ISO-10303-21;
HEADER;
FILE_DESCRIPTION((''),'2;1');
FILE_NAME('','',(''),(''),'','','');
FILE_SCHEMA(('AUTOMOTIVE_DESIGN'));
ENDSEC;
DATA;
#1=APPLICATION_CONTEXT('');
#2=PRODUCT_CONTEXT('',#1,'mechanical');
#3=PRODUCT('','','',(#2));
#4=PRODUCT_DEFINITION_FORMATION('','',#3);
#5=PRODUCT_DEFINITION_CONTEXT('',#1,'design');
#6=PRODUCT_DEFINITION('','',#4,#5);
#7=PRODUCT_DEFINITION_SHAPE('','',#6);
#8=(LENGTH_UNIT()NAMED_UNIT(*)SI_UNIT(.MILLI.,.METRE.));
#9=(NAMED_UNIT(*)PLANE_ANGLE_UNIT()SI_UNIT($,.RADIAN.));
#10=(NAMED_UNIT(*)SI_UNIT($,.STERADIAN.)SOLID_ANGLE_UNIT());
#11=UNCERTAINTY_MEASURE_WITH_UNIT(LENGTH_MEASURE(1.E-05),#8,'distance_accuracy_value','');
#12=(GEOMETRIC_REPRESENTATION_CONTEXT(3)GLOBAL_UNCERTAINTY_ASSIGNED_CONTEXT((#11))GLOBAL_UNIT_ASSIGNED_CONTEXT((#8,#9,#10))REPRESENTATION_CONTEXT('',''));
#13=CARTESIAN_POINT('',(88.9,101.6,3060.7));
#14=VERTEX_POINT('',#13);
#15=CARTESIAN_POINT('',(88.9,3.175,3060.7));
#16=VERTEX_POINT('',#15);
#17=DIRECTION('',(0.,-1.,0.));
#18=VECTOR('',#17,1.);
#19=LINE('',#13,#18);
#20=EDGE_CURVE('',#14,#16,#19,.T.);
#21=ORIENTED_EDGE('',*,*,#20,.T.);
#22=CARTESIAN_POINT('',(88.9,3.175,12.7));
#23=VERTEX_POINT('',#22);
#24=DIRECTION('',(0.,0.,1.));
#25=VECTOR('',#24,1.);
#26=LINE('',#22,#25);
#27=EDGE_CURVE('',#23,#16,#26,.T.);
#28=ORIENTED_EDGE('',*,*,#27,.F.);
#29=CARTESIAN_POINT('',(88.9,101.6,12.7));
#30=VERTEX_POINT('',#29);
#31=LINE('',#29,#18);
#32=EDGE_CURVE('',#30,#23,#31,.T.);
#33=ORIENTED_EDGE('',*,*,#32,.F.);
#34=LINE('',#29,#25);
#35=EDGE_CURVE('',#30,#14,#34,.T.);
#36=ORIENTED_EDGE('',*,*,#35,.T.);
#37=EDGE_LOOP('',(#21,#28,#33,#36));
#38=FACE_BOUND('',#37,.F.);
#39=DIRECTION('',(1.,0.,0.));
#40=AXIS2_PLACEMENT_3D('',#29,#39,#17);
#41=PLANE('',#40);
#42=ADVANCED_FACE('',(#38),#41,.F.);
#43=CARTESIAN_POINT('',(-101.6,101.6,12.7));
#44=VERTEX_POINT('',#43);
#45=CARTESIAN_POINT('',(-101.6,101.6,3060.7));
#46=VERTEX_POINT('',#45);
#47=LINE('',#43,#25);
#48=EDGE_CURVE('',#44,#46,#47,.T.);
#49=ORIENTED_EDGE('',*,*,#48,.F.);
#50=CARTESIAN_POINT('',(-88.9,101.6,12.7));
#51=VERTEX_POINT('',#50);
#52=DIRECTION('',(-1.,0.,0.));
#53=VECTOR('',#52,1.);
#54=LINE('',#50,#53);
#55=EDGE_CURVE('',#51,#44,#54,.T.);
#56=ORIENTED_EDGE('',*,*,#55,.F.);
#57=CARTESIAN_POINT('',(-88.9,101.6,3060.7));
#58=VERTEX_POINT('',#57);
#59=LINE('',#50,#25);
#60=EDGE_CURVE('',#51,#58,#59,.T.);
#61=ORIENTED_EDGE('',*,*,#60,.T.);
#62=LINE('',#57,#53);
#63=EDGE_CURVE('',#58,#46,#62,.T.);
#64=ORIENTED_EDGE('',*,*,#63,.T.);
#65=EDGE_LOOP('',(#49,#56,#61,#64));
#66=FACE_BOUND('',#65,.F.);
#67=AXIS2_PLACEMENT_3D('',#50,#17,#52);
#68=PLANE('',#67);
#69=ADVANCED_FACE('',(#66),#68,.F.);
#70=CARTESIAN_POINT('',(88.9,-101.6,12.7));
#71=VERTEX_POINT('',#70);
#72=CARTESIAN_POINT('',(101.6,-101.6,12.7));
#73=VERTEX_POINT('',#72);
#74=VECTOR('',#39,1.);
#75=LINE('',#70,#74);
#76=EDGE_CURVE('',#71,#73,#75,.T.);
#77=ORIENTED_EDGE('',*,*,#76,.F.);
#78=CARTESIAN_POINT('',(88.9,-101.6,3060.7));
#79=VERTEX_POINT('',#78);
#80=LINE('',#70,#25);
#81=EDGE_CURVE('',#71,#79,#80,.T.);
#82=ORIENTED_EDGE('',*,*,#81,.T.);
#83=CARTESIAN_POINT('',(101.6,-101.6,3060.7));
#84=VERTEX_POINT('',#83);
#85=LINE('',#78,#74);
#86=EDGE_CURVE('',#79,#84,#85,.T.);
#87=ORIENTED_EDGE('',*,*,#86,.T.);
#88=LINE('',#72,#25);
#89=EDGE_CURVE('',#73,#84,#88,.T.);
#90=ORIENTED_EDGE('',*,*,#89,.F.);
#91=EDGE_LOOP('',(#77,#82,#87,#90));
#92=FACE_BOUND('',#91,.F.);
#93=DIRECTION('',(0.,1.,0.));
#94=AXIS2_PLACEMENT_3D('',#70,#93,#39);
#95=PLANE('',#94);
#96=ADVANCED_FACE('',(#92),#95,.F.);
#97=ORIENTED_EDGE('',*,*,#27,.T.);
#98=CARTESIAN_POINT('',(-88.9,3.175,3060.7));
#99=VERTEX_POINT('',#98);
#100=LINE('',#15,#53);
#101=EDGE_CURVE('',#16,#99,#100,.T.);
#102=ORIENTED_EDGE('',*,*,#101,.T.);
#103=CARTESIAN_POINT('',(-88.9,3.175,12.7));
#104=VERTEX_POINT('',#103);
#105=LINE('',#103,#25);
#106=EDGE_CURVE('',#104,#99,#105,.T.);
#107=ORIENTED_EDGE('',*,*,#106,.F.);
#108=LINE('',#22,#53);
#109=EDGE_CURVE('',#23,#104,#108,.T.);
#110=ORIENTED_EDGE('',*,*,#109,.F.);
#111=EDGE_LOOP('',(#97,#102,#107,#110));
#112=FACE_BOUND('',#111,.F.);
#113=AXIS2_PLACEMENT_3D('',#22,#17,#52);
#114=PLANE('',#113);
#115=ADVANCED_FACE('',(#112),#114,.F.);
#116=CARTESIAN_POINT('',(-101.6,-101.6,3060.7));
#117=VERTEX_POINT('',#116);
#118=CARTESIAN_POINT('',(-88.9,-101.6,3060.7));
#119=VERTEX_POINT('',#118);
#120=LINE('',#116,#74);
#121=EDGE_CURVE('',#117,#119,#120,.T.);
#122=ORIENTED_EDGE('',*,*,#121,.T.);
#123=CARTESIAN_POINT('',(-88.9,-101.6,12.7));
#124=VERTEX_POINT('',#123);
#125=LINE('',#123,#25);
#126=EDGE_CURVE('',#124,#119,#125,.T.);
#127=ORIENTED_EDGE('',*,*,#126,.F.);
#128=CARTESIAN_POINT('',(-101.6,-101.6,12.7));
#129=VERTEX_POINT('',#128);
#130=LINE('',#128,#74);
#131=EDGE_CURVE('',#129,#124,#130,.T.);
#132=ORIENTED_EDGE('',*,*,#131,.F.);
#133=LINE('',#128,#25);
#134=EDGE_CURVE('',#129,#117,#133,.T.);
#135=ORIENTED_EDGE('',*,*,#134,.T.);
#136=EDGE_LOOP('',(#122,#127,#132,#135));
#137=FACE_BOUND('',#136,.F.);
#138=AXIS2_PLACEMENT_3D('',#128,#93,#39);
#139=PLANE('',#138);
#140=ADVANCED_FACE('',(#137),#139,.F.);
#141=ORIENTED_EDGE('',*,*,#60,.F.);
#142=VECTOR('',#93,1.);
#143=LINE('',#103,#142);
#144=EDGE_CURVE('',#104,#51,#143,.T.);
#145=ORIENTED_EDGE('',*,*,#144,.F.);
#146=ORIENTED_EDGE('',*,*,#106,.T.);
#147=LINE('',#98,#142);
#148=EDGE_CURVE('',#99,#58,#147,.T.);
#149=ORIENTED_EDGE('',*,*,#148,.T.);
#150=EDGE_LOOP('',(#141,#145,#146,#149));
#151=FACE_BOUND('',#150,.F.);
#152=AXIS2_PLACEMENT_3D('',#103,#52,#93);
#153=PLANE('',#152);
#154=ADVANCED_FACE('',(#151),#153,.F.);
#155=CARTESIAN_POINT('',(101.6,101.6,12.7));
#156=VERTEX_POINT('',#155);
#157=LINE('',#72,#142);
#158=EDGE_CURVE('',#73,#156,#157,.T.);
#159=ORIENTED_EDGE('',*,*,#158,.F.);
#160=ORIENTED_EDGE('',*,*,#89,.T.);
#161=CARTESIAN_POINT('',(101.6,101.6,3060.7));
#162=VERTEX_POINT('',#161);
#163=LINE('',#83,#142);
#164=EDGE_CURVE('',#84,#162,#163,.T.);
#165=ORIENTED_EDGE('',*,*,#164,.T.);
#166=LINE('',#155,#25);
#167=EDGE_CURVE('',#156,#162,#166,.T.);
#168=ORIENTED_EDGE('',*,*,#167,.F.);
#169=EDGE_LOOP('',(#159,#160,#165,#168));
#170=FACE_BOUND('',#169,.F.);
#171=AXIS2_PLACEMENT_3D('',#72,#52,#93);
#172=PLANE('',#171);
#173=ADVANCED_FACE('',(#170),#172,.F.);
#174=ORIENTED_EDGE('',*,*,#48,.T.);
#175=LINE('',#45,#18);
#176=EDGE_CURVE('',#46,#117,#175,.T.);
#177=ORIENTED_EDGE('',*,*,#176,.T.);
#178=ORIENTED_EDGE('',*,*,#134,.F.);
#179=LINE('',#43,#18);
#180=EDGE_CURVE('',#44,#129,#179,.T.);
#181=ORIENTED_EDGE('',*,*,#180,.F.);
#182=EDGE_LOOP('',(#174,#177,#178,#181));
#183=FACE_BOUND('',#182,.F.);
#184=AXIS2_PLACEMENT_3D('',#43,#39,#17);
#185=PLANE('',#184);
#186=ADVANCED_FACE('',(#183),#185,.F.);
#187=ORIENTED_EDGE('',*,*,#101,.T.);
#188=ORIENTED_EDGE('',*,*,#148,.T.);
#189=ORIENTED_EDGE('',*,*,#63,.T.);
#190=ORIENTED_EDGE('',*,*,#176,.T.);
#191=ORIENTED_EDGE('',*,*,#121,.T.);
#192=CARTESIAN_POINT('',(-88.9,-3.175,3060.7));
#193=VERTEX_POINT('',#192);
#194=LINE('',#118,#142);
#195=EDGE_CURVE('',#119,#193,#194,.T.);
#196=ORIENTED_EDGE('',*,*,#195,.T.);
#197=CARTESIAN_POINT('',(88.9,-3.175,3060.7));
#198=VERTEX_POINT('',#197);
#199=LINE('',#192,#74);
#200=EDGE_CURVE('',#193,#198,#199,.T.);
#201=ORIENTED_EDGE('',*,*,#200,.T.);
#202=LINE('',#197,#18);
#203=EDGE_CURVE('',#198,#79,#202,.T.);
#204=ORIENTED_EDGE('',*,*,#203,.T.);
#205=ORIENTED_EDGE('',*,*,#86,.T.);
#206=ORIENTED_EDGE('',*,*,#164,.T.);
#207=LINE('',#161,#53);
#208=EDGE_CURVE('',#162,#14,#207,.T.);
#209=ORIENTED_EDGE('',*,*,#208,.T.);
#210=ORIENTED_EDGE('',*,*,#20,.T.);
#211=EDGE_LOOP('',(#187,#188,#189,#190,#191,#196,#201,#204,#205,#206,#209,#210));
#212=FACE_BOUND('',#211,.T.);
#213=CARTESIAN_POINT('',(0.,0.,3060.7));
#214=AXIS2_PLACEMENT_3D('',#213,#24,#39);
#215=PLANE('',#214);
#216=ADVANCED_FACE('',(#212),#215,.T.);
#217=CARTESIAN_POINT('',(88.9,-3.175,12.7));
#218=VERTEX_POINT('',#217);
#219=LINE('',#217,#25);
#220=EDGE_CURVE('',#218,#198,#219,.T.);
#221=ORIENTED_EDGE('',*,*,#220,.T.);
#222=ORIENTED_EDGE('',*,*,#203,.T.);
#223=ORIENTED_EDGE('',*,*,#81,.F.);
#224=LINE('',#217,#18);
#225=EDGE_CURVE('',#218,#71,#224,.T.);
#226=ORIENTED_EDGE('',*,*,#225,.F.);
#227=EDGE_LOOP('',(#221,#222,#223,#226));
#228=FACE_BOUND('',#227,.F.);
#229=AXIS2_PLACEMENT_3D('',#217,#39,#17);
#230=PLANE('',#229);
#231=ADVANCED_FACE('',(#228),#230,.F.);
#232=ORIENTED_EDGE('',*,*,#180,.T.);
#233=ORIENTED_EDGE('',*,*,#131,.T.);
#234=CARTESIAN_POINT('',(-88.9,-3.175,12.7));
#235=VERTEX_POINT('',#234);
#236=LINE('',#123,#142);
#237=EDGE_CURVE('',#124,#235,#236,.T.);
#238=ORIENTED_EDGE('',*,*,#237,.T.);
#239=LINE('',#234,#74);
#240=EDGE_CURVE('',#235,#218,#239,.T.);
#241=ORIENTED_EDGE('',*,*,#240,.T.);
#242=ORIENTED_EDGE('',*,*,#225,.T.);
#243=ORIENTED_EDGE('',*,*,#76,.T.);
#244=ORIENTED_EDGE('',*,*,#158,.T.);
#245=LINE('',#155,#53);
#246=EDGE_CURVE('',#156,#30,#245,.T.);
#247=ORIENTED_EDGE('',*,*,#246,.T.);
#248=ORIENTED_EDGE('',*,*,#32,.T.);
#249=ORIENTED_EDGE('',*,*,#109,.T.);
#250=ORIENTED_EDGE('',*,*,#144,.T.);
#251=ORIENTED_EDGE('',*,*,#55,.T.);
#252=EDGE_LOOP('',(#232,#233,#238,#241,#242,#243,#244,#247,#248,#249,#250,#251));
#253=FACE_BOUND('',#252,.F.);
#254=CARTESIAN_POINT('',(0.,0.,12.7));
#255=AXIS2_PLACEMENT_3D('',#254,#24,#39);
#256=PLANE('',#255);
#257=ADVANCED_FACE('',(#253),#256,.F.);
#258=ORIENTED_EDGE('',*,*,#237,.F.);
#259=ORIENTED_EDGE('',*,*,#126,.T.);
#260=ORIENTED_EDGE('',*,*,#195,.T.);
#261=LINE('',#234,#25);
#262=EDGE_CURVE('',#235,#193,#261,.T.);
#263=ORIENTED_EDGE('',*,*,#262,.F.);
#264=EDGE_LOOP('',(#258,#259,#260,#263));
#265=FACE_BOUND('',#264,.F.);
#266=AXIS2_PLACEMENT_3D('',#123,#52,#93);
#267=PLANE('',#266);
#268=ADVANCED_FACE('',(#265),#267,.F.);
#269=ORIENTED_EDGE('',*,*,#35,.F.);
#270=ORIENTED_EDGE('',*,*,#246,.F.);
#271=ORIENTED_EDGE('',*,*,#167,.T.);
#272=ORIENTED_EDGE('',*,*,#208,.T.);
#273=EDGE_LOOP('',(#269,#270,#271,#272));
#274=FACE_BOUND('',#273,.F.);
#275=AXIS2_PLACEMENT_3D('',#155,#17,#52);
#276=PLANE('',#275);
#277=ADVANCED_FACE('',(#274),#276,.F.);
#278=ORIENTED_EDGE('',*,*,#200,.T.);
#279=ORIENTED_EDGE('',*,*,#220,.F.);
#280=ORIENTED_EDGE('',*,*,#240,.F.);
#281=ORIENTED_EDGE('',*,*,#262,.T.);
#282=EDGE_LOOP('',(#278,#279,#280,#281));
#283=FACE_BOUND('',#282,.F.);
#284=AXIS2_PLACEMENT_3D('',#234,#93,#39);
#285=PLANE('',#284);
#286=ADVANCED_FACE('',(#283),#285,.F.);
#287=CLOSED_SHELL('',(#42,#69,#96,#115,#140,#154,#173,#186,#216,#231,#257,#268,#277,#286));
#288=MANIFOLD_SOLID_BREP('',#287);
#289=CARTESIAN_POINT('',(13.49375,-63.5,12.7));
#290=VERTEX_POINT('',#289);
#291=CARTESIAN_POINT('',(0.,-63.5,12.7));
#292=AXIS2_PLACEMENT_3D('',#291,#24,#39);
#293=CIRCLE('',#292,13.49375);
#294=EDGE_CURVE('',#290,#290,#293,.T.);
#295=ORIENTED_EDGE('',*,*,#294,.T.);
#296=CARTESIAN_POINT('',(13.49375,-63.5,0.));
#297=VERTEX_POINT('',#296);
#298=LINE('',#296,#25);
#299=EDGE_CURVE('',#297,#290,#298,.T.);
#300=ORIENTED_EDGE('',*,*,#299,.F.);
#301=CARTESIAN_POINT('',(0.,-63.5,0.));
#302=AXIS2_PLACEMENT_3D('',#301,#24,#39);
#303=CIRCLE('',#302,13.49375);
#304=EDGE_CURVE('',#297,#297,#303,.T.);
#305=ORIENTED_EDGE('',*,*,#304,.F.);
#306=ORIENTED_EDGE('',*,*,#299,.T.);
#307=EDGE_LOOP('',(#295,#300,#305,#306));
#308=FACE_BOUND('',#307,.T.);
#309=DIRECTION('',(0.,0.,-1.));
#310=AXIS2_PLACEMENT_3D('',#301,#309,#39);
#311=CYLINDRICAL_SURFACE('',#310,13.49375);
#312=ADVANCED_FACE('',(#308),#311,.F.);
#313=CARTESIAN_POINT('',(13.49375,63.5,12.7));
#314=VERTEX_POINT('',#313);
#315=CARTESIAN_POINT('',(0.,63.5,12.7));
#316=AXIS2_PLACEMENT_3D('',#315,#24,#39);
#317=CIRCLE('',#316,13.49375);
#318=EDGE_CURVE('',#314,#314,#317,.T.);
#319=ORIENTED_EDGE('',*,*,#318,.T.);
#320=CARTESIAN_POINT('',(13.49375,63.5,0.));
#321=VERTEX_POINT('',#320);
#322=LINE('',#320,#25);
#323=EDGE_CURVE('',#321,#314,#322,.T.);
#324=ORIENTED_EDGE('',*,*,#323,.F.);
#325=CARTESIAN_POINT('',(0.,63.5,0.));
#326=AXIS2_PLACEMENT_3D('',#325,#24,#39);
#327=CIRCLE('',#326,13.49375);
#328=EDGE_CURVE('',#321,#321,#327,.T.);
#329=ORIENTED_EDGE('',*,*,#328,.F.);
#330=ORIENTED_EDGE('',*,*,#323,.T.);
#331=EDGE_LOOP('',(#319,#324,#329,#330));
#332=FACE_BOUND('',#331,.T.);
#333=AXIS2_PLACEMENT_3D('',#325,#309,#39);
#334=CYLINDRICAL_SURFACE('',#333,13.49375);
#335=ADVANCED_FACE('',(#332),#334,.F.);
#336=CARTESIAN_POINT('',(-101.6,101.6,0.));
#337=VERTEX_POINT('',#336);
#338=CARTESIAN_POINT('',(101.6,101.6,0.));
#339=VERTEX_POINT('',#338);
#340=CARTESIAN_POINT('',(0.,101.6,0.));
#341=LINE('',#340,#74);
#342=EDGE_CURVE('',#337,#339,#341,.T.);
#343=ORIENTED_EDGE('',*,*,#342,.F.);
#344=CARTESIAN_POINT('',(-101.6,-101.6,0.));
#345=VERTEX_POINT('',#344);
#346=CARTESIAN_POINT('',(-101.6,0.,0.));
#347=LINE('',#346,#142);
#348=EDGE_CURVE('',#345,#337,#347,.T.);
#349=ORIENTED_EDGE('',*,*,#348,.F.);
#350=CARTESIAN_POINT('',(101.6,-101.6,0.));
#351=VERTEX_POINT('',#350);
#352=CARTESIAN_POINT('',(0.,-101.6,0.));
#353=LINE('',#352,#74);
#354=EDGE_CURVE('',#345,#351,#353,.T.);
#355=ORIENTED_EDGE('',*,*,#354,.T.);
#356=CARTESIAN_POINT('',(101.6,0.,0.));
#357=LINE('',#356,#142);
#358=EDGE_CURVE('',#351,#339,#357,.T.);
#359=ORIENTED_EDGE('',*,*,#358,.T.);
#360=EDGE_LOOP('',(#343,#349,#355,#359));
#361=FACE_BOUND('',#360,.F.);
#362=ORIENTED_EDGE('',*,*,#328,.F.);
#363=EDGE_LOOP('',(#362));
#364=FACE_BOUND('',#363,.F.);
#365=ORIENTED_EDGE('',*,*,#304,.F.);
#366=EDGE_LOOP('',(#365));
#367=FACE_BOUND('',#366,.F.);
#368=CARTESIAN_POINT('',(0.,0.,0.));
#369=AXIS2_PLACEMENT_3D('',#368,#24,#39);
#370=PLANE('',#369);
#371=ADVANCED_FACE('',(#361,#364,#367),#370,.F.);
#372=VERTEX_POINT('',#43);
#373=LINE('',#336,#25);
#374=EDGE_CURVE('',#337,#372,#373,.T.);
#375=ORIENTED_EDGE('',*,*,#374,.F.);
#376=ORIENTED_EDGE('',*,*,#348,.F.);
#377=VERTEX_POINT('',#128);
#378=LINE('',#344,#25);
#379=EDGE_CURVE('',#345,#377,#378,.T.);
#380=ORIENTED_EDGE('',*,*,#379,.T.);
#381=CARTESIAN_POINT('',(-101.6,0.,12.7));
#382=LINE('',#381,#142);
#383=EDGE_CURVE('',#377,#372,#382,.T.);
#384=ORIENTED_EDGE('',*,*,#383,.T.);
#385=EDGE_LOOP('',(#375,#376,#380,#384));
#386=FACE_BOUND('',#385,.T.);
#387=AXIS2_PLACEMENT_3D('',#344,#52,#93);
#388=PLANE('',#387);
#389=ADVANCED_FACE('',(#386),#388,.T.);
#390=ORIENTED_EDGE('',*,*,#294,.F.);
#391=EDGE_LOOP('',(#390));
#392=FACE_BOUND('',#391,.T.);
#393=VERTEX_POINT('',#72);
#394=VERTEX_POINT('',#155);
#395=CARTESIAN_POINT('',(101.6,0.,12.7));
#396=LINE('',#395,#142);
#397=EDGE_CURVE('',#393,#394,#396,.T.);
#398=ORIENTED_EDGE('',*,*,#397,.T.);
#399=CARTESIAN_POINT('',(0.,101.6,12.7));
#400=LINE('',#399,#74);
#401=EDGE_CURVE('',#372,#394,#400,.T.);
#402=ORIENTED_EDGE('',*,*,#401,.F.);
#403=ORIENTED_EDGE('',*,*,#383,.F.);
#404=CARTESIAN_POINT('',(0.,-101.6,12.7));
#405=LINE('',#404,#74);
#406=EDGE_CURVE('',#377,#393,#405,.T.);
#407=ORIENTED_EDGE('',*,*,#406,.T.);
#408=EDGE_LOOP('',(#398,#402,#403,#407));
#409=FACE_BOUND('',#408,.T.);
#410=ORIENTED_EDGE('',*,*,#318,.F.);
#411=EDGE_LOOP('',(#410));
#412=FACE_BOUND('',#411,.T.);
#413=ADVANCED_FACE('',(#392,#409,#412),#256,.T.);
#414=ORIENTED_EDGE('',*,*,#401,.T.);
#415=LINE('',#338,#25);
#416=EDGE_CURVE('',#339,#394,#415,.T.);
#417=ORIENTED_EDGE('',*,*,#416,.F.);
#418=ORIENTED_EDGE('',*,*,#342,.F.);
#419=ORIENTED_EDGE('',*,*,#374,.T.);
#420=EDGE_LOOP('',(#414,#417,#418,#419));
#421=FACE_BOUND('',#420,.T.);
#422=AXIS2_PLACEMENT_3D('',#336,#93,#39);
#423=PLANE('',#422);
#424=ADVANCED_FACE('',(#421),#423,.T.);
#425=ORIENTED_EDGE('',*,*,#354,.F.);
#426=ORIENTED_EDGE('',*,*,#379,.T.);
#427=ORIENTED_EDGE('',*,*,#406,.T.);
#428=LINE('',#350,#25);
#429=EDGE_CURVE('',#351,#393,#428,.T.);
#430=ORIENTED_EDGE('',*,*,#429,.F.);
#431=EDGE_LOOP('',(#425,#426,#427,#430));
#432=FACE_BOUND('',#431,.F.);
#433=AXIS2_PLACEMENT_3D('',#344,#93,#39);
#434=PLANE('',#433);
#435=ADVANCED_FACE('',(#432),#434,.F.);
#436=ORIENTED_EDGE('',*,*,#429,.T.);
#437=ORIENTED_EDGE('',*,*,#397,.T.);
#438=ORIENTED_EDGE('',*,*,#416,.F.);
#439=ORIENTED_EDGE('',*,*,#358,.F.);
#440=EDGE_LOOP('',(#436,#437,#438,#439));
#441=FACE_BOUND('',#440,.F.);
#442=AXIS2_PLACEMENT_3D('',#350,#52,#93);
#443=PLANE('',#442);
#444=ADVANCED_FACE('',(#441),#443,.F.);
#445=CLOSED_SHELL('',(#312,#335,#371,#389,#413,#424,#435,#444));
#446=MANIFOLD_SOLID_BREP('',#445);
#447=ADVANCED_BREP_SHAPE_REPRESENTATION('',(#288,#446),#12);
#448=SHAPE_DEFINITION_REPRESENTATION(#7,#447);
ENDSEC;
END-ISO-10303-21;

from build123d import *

# Parameters (mm, degrees)
F0_W     = 203.2
F0_H     = 203.2
F0_R     = 13.49375
F1_DEPTH = 12.7
F3_DEPTH = 3048


with BuildPart() as f1:
    # F0 (on Top) → F1 (new body)
    with BuildSketch(Plane.XY):
        Rectangle(F0_W, F0_H)
        with Locations((0, -63.5)):
            Circle(F0_R, mode=Mode.SUBTRACT)
        with Locations((0, 63.5)):
            Circle(F0_R, mode=Mode.SUBTRACT)
    extrude(amount=F1_DEPTH)


with BuildPart() as f3:
    # F2 (on face) → F3 (new body)
    with BuildSketch(Plane.XY.offset(12.7)):
        Polygon((-88.9, 101.6), (-101.6, 101.6), (-101.6, -101.6), (-88.9, -101.6), (-88.9, -3.175), (88.9, -3.175), (88.9, -101.6), (101.6, -101.6), (101.6, 101.6), (88.9, 101.6), (88.9, 3.175), (-88.9, 3.175), align=None)
    extrude(amount=F3_DEPTH)


solid = Compound([f1.part, f3.part])
